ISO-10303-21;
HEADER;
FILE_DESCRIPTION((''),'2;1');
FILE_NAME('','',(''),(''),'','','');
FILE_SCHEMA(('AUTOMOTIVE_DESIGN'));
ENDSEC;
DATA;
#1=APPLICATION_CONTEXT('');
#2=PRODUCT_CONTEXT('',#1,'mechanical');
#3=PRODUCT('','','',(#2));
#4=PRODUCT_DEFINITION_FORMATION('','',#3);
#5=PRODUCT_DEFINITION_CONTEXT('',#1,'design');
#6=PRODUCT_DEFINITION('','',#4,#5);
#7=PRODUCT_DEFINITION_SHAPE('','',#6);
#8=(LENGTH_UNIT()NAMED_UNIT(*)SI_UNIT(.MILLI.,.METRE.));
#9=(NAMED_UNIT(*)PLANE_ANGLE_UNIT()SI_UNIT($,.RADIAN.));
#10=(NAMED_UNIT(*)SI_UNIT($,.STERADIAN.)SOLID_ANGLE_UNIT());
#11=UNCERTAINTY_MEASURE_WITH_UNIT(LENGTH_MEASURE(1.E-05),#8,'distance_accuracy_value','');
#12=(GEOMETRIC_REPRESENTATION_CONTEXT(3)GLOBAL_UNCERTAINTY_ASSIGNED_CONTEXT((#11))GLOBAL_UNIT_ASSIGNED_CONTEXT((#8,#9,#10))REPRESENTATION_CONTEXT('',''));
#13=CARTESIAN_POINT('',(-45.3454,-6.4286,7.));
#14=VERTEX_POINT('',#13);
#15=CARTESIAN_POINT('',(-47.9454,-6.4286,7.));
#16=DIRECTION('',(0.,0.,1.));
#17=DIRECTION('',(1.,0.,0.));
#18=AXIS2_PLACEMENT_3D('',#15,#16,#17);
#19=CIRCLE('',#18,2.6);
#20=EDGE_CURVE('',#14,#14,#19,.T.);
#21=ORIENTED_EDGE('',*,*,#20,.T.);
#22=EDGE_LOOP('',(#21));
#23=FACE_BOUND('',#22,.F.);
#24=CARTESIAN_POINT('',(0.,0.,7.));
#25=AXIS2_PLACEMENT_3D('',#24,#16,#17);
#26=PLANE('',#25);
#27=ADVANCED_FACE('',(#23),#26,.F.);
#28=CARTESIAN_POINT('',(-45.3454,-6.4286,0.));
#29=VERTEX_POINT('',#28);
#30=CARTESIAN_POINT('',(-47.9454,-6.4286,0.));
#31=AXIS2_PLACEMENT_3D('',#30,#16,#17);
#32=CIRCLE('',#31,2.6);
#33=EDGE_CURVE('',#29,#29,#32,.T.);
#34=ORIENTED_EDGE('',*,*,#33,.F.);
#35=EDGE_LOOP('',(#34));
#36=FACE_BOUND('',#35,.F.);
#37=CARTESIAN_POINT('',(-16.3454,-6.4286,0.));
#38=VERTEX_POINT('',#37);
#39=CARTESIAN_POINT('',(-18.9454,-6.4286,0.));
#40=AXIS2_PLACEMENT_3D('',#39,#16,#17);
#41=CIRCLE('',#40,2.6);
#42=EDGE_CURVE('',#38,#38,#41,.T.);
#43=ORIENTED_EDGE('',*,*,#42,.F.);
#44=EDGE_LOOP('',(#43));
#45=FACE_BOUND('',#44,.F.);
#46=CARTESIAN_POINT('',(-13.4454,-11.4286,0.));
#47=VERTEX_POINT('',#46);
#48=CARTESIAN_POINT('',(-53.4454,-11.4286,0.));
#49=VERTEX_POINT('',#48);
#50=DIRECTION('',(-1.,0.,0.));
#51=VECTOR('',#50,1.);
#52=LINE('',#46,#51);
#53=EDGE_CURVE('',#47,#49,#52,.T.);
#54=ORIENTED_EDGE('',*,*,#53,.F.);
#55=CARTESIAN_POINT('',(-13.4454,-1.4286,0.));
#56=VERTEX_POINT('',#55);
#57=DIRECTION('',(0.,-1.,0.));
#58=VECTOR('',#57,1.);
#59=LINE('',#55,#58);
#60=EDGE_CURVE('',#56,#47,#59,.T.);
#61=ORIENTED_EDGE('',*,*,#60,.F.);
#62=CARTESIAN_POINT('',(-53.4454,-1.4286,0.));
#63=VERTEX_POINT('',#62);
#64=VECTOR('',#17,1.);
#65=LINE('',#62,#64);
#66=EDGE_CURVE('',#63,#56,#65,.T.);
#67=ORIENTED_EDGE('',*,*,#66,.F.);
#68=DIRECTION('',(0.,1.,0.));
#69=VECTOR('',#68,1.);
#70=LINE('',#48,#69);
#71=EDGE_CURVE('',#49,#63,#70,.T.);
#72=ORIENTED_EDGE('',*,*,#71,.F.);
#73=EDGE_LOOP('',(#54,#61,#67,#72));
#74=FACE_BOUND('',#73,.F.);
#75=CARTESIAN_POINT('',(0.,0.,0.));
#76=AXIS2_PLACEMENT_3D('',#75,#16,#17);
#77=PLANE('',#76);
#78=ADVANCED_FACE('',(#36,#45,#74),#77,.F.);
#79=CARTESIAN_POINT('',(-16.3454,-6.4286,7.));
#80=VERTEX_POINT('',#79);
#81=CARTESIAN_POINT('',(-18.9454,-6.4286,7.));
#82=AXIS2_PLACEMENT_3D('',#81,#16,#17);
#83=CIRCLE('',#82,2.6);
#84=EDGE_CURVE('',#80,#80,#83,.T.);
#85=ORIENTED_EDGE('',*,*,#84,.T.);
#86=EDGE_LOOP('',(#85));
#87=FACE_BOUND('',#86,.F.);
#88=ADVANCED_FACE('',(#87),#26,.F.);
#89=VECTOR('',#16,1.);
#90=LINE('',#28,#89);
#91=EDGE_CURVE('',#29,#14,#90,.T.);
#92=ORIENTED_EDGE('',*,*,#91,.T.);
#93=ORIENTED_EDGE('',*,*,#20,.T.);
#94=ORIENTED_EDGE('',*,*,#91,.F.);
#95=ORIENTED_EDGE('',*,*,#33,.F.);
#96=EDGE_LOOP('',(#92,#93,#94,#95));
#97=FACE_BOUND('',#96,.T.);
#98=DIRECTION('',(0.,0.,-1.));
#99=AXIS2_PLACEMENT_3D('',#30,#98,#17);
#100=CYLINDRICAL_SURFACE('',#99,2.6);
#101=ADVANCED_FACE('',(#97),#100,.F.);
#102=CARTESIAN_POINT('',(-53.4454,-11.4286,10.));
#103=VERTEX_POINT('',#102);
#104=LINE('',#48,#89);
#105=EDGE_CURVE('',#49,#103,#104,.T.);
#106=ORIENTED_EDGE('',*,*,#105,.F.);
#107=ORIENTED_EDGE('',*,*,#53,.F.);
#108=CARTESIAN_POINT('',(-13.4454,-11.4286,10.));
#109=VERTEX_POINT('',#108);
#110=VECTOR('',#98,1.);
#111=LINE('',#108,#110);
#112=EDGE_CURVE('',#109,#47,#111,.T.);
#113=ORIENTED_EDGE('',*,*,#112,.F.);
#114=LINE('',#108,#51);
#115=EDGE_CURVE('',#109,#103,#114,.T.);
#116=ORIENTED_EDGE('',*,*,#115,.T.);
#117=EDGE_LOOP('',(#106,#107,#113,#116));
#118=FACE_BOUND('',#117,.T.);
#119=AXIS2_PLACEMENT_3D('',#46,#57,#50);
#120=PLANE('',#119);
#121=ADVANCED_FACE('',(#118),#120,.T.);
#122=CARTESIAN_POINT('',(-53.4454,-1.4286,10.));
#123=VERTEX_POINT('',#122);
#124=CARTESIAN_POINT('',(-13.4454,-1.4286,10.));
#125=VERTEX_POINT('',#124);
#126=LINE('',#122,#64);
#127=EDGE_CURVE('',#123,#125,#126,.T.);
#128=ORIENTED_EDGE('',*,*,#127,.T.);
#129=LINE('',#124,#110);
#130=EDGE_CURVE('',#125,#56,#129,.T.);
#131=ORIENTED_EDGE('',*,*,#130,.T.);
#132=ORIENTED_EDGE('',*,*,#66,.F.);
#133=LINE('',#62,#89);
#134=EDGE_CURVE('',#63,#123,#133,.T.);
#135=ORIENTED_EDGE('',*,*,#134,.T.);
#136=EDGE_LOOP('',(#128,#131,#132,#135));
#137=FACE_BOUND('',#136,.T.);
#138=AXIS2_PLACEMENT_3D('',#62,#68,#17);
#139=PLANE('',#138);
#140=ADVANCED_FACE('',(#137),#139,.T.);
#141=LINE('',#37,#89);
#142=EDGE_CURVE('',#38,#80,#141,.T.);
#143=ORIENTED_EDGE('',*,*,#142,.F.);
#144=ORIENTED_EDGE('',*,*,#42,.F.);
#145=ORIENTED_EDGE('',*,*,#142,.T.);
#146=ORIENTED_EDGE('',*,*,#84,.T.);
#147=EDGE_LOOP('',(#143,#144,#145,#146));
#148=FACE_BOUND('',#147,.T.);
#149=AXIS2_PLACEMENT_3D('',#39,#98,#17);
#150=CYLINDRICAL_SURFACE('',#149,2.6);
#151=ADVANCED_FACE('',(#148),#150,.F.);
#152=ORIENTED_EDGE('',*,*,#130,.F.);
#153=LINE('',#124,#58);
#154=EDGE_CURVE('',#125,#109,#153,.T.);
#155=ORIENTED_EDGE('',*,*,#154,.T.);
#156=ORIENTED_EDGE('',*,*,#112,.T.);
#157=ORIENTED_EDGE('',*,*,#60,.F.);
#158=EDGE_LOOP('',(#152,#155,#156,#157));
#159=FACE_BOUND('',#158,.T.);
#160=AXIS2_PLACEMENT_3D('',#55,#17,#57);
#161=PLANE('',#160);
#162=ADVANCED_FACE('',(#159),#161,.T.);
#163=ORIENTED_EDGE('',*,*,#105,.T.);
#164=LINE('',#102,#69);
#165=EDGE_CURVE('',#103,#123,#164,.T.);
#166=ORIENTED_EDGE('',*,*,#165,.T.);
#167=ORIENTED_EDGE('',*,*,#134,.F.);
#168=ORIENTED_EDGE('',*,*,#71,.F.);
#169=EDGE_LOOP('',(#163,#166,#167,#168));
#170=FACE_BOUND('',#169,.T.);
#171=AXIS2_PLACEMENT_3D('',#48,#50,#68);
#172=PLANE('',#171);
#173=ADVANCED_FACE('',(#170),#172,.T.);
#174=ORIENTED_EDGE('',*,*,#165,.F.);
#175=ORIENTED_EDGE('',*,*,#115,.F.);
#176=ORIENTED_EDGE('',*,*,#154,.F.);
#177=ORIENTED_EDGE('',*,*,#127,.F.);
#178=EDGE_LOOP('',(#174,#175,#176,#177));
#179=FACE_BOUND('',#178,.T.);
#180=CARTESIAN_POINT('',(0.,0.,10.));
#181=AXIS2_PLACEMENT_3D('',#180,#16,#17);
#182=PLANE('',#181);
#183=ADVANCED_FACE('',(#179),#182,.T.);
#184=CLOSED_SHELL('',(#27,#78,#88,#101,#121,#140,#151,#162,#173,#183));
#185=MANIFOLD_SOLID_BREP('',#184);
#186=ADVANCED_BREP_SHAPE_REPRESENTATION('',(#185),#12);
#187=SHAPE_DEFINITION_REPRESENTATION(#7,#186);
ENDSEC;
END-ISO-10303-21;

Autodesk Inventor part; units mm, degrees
ref_plane "YZ Plane" through (0, 0, 0) normal (1, 0, 0) x (0, 1, 0)
ref_plane "XZ Plane" through (0, 0, 0) normal (0, 1, 0) x (-1, 0, 0)
ref_plane "XY Plane" through (0, 0, 0) normal (0, 0, 1) x (1, 0, 0)
sketch "Sketch1" plane through (0, 0, 0) normal (0, 0, 1) x (1, 0, 0)
  line L0 (-53.4454, -1.4286) -> (-13.4454, -1.4286)
  line L1 (-13.4454, -1.4286) -> (-13.4454, -11.4286)
  line L2 (-13.4454, -11.4286) -> (-53.4454, -11.4286)
  line L3 (-53.4454, -11.4286) -> (-53.4454, -1.4286)
  circle A0 centre (-47.9454, -6.4286) radius 2.6
  circle A1 centre (-18.9454, -6.4286) radius 2.6
  point P0 (0, 0)
  dimension "d0" = 10
  dimension "d1" = 5.2
  dimension "d2" = 5.2
  dimension "d3" = 5
  dimension "d4" = 5
  dimension "d5" = 40
  dimension "d6" = 5.5
  dimension "d7" = 34.5
extrude "Extrusion1" add sketch "Sketch1" along normal blind 7
sketch "Sketch2" plane through (0, 0, 7) normal (0, 0, 1) x (1, 0, 0)
  line L0 (-53.4454, -1.4286) -> (-13.4454, -1.4286)
  line L1 (-13.4454, -1.4286) -> (-13.4454, -11.4286)
  line L2 (-13.4454, -11.4286) -> (-53.4454, -11.4286)
  line L3 (-53.4454, -11.4286) -> (-53.4454, -1.4286)
  point P0 (0, 0)
extrude "Extrusion2" add sketch "Sketch2" along normal blind 3
properties part number "Tubebase"
